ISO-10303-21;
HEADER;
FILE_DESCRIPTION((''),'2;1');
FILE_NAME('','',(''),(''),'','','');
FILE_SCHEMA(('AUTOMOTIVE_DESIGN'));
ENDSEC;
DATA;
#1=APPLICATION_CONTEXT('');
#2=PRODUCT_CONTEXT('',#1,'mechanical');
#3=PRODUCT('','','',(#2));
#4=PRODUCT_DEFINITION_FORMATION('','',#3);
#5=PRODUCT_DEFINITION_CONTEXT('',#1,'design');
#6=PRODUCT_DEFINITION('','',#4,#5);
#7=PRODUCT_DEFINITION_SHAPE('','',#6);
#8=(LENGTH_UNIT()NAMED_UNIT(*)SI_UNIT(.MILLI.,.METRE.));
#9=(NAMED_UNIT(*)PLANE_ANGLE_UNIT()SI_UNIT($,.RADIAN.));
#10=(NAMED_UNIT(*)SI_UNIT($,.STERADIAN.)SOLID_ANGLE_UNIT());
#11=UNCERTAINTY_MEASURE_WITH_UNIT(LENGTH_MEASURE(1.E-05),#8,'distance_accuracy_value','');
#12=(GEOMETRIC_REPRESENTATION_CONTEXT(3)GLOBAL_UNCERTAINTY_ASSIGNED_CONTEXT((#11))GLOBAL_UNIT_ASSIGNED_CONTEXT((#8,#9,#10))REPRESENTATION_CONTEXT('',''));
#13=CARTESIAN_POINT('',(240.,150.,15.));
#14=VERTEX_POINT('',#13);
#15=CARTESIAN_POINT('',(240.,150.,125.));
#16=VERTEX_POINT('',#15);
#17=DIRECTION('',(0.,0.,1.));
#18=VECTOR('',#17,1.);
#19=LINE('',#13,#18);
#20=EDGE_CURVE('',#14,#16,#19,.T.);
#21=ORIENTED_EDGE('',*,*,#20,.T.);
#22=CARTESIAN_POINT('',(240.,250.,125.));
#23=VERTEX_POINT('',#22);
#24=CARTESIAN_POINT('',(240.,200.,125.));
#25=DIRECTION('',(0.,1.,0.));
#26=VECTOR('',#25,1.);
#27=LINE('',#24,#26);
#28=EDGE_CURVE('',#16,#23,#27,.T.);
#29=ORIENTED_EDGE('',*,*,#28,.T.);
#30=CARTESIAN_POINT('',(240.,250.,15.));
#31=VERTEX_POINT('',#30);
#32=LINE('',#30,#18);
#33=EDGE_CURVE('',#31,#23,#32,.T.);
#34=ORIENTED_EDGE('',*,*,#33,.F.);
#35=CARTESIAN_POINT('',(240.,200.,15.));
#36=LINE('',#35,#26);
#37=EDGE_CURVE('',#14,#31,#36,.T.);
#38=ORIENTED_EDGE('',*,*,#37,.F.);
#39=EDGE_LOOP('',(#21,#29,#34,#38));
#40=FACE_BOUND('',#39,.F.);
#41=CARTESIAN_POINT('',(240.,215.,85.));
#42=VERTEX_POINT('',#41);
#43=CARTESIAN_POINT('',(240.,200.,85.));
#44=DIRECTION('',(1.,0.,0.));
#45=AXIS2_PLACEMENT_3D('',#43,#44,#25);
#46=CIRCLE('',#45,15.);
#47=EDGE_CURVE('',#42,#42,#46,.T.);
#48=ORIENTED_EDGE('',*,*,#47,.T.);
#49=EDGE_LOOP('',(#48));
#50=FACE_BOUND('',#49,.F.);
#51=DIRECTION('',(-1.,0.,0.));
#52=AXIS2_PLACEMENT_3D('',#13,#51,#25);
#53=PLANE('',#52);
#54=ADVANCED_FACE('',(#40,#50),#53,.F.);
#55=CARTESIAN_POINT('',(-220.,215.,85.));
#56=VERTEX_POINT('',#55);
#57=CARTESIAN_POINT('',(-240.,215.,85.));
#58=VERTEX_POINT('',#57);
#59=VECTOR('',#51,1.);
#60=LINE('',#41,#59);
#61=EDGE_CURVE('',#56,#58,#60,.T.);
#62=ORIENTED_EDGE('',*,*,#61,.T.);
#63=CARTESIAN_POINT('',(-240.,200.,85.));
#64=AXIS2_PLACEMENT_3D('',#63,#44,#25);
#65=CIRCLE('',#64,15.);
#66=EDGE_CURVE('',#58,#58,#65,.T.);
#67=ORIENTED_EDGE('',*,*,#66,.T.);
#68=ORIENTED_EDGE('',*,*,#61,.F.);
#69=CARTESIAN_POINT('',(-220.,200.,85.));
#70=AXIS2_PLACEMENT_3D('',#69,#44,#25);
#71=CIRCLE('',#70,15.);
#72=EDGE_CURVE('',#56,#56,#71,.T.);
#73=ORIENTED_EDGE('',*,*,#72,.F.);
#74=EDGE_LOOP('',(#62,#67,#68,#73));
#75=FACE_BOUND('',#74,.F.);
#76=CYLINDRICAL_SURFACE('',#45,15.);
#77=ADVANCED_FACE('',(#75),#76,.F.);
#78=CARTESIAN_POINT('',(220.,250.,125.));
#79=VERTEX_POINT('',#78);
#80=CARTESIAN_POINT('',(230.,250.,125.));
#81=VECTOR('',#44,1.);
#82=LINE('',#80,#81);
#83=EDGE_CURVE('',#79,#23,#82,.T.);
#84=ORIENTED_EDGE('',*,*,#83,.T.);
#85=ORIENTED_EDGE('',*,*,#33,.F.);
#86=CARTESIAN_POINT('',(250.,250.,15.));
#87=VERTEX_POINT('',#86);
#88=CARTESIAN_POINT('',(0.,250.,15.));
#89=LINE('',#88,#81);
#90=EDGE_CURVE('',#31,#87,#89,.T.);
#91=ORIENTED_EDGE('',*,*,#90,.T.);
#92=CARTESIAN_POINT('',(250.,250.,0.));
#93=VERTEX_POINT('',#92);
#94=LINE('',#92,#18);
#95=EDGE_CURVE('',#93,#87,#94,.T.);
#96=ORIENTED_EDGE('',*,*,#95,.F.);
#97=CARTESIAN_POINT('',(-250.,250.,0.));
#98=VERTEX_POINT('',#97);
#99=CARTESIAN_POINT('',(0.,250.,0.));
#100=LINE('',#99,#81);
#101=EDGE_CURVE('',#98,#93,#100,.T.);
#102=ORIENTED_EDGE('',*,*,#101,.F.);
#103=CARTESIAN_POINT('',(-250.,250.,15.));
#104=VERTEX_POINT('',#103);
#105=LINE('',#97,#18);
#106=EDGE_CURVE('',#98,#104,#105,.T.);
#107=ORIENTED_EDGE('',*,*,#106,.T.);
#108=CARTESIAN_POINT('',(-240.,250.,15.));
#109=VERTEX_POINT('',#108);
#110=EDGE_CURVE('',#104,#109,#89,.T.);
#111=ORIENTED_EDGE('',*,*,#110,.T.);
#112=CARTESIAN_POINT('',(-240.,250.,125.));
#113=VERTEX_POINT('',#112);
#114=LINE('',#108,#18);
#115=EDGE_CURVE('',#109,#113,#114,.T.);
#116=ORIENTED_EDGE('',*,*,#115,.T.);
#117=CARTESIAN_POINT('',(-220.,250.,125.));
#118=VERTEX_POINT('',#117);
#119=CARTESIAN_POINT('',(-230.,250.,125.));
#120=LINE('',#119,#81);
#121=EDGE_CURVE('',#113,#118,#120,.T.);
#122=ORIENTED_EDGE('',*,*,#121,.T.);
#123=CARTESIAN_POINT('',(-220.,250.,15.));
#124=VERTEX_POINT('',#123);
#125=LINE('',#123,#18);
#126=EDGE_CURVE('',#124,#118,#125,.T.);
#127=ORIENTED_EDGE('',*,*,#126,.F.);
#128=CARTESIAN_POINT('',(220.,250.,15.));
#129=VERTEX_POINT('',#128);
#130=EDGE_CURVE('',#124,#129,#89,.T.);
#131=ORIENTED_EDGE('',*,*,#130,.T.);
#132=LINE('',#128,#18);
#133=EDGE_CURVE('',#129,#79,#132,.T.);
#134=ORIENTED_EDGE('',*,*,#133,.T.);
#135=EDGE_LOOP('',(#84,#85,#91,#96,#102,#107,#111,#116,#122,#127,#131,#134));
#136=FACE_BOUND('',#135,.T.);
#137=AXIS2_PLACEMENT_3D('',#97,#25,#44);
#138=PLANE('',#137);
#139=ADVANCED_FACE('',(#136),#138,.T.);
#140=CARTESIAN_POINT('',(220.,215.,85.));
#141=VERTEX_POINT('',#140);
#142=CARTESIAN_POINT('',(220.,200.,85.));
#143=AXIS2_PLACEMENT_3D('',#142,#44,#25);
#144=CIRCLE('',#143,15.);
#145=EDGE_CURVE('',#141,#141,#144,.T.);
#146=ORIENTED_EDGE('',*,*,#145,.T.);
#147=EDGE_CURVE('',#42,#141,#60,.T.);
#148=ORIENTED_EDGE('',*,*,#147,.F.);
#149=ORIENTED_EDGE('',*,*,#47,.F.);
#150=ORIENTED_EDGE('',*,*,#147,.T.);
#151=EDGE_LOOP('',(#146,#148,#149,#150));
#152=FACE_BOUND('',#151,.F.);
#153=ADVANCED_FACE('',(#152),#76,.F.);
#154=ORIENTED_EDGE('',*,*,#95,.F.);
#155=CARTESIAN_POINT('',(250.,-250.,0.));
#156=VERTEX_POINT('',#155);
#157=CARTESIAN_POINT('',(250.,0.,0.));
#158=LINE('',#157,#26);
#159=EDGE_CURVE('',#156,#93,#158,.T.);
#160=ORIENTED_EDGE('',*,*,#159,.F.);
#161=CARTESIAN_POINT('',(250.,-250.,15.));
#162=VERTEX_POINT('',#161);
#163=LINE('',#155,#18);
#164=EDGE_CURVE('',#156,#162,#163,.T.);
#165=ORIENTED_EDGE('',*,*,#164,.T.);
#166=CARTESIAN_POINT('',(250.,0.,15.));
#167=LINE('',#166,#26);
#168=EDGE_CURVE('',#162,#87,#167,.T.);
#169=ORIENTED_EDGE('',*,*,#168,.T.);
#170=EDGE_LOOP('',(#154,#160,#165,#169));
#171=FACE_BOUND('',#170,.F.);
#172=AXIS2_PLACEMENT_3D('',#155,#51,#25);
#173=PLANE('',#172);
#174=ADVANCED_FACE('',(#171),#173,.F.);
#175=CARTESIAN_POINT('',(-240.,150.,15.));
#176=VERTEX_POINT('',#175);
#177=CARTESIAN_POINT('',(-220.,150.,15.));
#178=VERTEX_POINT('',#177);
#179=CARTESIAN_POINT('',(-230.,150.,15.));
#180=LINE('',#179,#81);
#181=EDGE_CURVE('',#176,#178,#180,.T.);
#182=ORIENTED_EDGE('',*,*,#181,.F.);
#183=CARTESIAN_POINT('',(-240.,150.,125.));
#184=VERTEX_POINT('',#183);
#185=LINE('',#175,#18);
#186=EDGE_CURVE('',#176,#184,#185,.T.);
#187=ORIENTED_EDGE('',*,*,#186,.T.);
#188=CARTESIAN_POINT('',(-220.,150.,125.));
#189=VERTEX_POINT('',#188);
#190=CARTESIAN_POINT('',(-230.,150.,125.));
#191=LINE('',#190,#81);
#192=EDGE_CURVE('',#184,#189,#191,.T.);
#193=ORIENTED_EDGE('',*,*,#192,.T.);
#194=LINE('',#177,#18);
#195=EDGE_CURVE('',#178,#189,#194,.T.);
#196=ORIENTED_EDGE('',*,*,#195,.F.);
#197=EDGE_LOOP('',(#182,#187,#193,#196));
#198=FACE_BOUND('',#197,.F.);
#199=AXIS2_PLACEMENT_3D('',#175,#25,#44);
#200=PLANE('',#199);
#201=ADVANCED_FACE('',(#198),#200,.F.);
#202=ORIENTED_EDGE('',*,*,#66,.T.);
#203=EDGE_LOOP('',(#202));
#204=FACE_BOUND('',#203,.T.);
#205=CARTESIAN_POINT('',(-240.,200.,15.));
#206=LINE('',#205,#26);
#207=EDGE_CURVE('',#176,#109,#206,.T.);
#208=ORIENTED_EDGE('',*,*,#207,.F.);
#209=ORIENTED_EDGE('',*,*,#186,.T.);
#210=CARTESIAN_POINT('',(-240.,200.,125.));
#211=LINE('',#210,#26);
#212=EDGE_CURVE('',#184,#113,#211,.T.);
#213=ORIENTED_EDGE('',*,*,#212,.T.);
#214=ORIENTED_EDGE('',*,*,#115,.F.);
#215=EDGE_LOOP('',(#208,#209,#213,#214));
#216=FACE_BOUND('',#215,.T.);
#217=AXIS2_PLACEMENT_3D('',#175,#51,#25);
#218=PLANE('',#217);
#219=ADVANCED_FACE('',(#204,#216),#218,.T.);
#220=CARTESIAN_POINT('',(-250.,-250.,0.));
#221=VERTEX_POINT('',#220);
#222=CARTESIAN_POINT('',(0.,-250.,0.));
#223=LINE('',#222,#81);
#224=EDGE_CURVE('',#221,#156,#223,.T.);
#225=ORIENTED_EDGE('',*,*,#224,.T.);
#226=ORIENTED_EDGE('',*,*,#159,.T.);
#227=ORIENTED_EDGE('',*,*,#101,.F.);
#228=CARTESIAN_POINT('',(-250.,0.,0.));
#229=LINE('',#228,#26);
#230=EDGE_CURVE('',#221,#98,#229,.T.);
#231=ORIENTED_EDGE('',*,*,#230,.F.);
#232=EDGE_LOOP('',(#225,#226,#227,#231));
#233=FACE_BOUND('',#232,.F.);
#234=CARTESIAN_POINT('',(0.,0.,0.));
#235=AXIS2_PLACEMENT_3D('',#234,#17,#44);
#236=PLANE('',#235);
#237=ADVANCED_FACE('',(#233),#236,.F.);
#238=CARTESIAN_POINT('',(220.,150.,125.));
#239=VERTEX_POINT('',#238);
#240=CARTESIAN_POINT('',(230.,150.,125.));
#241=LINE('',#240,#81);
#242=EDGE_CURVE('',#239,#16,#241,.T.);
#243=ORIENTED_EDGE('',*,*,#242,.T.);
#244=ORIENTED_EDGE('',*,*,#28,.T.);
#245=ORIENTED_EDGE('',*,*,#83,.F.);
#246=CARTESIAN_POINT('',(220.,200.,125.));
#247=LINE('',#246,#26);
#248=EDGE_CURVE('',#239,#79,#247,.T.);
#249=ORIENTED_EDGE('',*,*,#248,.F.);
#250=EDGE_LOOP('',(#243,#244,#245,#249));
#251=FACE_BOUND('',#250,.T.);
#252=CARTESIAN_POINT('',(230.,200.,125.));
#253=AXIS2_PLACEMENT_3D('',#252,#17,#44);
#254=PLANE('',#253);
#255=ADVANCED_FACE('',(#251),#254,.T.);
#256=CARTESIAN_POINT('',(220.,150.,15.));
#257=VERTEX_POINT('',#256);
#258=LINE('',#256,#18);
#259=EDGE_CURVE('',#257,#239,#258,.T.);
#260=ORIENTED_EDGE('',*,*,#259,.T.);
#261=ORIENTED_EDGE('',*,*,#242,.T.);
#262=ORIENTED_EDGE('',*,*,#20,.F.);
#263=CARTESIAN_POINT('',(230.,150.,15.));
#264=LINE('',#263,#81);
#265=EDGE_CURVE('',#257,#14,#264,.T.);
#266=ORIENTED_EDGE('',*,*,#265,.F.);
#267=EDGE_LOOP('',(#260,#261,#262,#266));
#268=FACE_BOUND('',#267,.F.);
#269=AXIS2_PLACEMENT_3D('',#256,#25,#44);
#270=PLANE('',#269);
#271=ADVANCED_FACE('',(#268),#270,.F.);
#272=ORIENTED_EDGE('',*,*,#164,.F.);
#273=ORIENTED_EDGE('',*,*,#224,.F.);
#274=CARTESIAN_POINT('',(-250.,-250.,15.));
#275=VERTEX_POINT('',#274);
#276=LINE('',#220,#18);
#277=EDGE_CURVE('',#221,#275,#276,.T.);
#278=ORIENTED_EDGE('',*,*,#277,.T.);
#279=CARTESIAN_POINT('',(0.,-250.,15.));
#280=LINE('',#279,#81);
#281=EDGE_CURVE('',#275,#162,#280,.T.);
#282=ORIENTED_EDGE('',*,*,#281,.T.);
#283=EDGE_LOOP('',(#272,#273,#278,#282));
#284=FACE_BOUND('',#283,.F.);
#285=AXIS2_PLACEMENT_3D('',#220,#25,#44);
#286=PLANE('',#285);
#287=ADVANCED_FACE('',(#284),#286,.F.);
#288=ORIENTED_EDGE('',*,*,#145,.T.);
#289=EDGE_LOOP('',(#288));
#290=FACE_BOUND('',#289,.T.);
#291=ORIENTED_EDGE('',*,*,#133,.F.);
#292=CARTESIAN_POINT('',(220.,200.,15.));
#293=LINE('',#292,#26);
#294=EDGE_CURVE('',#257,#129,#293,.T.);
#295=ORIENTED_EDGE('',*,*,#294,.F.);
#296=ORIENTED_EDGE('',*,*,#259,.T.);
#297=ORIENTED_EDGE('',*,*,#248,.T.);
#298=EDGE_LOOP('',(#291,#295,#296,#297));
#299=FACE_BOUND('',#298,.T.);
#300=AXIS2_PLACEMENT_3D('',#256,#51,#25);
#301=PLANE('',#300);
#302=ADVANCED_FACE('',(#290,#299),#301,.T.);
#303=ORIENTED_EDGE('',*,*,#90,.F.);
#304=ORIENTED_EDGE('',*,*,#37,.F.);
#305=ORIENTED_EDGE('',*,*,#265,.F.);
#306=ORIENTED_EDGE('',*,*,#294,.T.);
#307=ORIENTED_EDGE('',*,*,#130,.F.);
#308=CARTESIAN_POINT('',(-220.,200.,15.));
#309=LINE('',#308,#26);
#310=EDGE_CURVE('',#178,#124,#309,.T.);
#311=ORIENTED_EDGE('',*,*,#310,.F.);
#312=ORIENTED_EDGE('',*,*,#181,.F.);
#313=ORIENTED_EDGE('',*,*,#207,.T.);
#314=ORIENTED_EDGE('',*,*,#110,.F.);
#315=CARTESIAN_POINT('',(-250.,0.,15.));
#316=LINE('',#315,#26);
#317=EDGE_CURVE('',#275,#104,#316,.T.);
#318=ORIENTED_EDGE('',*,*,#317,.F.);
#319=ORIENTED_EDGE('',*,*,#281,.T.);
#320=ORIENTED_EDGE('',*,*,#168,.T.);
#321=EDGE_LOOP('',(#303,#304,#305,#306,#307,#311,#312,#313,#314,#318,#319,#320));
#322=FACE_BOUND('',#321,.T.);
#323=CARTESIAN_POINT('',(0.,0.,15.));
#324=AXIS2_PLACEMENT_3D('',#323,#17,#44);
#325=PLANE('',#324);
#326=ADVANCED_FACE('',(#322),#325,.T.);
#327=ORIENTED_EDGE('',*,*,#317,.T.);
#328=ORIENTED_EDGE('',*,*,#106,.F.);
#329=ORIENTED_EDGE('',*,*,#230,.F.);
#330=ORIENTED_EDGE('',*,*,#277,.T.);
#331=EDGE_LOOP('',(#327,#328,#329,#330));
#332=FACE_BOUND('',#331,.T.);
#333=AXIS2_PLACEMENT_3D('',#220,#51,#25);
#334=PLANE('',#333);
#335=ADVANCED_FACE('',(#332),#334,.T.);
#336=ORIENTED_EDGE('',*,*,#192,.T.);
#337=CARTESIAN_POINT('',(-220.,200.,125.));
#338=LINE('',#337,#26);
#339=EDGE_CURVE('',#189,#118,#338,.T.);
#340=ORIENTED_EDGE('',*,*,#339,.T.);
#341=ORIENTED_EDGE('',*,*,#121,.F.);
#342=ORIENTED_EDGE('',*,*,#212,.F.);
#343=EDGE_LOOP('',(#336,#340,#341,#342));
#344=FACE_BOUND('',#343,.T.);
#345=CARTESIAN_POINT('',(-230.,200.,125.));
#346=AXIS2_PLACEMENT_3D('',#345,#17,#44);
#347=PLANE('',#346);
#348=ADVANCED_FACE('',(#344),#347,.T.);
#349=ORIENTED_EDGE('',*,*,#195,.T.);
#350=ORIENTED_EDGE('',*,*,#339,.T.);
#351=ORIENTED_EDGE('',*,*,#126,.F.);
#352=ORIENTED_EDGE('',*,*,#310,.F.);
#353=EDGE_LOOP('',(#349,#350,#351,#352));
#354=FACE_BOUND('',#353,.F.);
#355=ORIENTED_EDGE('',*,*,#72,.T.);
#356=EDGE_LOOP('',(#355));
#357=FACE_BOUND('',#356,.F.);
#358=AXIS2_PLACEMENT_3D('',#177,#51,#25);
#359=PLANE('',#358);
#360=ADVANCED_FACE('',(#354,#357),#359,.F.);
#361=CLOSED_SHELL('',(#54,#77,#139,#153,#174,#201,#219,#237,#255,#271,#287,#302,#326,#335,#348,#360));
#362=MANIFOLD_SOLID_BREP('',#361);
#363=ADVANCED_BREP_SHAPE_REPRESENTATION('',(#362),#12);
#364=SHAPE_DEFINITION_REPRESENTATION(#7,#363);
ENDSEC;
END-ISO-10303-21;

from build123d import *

# Parameters (mm, degrees)
F0_W     = 500
F0_H     = 500
F1_DEPTH = 15
F2_W     = 20
F2_H     = 100
F3_DEPTH = 110
F4_R     = 15
F5_DEPTH = 490.001


with BuildPart() as f1:
    # F0 (on Top) → F1 (new body)
    with BuildSketch(Plane.XY):
        Rectangle(F0_W, F0_H)
    extrude(amount=F1_DEPTH)

    # F2 (on face) → F3 (join)
    with BuildSketch(Plane.XY.offset(15)):
        with Locations((230, 200)):
            Rectangle(F2_W, F2_H)
        with Locations((-230, 200)):
            Rectangle(F2_W, F2_H)
    extrude(amount=F3_DEPTH)

    # F4 (on face) → F5 (cut, through all)
    with BuildSketch(Plane.YZ.offset(240)):
        with Locations((200, 85)):
            Circle(F4_R)
    extrude(amount=-F5_DEPTH, mode=Mode.SUBTRACT)


solid = f1.part
